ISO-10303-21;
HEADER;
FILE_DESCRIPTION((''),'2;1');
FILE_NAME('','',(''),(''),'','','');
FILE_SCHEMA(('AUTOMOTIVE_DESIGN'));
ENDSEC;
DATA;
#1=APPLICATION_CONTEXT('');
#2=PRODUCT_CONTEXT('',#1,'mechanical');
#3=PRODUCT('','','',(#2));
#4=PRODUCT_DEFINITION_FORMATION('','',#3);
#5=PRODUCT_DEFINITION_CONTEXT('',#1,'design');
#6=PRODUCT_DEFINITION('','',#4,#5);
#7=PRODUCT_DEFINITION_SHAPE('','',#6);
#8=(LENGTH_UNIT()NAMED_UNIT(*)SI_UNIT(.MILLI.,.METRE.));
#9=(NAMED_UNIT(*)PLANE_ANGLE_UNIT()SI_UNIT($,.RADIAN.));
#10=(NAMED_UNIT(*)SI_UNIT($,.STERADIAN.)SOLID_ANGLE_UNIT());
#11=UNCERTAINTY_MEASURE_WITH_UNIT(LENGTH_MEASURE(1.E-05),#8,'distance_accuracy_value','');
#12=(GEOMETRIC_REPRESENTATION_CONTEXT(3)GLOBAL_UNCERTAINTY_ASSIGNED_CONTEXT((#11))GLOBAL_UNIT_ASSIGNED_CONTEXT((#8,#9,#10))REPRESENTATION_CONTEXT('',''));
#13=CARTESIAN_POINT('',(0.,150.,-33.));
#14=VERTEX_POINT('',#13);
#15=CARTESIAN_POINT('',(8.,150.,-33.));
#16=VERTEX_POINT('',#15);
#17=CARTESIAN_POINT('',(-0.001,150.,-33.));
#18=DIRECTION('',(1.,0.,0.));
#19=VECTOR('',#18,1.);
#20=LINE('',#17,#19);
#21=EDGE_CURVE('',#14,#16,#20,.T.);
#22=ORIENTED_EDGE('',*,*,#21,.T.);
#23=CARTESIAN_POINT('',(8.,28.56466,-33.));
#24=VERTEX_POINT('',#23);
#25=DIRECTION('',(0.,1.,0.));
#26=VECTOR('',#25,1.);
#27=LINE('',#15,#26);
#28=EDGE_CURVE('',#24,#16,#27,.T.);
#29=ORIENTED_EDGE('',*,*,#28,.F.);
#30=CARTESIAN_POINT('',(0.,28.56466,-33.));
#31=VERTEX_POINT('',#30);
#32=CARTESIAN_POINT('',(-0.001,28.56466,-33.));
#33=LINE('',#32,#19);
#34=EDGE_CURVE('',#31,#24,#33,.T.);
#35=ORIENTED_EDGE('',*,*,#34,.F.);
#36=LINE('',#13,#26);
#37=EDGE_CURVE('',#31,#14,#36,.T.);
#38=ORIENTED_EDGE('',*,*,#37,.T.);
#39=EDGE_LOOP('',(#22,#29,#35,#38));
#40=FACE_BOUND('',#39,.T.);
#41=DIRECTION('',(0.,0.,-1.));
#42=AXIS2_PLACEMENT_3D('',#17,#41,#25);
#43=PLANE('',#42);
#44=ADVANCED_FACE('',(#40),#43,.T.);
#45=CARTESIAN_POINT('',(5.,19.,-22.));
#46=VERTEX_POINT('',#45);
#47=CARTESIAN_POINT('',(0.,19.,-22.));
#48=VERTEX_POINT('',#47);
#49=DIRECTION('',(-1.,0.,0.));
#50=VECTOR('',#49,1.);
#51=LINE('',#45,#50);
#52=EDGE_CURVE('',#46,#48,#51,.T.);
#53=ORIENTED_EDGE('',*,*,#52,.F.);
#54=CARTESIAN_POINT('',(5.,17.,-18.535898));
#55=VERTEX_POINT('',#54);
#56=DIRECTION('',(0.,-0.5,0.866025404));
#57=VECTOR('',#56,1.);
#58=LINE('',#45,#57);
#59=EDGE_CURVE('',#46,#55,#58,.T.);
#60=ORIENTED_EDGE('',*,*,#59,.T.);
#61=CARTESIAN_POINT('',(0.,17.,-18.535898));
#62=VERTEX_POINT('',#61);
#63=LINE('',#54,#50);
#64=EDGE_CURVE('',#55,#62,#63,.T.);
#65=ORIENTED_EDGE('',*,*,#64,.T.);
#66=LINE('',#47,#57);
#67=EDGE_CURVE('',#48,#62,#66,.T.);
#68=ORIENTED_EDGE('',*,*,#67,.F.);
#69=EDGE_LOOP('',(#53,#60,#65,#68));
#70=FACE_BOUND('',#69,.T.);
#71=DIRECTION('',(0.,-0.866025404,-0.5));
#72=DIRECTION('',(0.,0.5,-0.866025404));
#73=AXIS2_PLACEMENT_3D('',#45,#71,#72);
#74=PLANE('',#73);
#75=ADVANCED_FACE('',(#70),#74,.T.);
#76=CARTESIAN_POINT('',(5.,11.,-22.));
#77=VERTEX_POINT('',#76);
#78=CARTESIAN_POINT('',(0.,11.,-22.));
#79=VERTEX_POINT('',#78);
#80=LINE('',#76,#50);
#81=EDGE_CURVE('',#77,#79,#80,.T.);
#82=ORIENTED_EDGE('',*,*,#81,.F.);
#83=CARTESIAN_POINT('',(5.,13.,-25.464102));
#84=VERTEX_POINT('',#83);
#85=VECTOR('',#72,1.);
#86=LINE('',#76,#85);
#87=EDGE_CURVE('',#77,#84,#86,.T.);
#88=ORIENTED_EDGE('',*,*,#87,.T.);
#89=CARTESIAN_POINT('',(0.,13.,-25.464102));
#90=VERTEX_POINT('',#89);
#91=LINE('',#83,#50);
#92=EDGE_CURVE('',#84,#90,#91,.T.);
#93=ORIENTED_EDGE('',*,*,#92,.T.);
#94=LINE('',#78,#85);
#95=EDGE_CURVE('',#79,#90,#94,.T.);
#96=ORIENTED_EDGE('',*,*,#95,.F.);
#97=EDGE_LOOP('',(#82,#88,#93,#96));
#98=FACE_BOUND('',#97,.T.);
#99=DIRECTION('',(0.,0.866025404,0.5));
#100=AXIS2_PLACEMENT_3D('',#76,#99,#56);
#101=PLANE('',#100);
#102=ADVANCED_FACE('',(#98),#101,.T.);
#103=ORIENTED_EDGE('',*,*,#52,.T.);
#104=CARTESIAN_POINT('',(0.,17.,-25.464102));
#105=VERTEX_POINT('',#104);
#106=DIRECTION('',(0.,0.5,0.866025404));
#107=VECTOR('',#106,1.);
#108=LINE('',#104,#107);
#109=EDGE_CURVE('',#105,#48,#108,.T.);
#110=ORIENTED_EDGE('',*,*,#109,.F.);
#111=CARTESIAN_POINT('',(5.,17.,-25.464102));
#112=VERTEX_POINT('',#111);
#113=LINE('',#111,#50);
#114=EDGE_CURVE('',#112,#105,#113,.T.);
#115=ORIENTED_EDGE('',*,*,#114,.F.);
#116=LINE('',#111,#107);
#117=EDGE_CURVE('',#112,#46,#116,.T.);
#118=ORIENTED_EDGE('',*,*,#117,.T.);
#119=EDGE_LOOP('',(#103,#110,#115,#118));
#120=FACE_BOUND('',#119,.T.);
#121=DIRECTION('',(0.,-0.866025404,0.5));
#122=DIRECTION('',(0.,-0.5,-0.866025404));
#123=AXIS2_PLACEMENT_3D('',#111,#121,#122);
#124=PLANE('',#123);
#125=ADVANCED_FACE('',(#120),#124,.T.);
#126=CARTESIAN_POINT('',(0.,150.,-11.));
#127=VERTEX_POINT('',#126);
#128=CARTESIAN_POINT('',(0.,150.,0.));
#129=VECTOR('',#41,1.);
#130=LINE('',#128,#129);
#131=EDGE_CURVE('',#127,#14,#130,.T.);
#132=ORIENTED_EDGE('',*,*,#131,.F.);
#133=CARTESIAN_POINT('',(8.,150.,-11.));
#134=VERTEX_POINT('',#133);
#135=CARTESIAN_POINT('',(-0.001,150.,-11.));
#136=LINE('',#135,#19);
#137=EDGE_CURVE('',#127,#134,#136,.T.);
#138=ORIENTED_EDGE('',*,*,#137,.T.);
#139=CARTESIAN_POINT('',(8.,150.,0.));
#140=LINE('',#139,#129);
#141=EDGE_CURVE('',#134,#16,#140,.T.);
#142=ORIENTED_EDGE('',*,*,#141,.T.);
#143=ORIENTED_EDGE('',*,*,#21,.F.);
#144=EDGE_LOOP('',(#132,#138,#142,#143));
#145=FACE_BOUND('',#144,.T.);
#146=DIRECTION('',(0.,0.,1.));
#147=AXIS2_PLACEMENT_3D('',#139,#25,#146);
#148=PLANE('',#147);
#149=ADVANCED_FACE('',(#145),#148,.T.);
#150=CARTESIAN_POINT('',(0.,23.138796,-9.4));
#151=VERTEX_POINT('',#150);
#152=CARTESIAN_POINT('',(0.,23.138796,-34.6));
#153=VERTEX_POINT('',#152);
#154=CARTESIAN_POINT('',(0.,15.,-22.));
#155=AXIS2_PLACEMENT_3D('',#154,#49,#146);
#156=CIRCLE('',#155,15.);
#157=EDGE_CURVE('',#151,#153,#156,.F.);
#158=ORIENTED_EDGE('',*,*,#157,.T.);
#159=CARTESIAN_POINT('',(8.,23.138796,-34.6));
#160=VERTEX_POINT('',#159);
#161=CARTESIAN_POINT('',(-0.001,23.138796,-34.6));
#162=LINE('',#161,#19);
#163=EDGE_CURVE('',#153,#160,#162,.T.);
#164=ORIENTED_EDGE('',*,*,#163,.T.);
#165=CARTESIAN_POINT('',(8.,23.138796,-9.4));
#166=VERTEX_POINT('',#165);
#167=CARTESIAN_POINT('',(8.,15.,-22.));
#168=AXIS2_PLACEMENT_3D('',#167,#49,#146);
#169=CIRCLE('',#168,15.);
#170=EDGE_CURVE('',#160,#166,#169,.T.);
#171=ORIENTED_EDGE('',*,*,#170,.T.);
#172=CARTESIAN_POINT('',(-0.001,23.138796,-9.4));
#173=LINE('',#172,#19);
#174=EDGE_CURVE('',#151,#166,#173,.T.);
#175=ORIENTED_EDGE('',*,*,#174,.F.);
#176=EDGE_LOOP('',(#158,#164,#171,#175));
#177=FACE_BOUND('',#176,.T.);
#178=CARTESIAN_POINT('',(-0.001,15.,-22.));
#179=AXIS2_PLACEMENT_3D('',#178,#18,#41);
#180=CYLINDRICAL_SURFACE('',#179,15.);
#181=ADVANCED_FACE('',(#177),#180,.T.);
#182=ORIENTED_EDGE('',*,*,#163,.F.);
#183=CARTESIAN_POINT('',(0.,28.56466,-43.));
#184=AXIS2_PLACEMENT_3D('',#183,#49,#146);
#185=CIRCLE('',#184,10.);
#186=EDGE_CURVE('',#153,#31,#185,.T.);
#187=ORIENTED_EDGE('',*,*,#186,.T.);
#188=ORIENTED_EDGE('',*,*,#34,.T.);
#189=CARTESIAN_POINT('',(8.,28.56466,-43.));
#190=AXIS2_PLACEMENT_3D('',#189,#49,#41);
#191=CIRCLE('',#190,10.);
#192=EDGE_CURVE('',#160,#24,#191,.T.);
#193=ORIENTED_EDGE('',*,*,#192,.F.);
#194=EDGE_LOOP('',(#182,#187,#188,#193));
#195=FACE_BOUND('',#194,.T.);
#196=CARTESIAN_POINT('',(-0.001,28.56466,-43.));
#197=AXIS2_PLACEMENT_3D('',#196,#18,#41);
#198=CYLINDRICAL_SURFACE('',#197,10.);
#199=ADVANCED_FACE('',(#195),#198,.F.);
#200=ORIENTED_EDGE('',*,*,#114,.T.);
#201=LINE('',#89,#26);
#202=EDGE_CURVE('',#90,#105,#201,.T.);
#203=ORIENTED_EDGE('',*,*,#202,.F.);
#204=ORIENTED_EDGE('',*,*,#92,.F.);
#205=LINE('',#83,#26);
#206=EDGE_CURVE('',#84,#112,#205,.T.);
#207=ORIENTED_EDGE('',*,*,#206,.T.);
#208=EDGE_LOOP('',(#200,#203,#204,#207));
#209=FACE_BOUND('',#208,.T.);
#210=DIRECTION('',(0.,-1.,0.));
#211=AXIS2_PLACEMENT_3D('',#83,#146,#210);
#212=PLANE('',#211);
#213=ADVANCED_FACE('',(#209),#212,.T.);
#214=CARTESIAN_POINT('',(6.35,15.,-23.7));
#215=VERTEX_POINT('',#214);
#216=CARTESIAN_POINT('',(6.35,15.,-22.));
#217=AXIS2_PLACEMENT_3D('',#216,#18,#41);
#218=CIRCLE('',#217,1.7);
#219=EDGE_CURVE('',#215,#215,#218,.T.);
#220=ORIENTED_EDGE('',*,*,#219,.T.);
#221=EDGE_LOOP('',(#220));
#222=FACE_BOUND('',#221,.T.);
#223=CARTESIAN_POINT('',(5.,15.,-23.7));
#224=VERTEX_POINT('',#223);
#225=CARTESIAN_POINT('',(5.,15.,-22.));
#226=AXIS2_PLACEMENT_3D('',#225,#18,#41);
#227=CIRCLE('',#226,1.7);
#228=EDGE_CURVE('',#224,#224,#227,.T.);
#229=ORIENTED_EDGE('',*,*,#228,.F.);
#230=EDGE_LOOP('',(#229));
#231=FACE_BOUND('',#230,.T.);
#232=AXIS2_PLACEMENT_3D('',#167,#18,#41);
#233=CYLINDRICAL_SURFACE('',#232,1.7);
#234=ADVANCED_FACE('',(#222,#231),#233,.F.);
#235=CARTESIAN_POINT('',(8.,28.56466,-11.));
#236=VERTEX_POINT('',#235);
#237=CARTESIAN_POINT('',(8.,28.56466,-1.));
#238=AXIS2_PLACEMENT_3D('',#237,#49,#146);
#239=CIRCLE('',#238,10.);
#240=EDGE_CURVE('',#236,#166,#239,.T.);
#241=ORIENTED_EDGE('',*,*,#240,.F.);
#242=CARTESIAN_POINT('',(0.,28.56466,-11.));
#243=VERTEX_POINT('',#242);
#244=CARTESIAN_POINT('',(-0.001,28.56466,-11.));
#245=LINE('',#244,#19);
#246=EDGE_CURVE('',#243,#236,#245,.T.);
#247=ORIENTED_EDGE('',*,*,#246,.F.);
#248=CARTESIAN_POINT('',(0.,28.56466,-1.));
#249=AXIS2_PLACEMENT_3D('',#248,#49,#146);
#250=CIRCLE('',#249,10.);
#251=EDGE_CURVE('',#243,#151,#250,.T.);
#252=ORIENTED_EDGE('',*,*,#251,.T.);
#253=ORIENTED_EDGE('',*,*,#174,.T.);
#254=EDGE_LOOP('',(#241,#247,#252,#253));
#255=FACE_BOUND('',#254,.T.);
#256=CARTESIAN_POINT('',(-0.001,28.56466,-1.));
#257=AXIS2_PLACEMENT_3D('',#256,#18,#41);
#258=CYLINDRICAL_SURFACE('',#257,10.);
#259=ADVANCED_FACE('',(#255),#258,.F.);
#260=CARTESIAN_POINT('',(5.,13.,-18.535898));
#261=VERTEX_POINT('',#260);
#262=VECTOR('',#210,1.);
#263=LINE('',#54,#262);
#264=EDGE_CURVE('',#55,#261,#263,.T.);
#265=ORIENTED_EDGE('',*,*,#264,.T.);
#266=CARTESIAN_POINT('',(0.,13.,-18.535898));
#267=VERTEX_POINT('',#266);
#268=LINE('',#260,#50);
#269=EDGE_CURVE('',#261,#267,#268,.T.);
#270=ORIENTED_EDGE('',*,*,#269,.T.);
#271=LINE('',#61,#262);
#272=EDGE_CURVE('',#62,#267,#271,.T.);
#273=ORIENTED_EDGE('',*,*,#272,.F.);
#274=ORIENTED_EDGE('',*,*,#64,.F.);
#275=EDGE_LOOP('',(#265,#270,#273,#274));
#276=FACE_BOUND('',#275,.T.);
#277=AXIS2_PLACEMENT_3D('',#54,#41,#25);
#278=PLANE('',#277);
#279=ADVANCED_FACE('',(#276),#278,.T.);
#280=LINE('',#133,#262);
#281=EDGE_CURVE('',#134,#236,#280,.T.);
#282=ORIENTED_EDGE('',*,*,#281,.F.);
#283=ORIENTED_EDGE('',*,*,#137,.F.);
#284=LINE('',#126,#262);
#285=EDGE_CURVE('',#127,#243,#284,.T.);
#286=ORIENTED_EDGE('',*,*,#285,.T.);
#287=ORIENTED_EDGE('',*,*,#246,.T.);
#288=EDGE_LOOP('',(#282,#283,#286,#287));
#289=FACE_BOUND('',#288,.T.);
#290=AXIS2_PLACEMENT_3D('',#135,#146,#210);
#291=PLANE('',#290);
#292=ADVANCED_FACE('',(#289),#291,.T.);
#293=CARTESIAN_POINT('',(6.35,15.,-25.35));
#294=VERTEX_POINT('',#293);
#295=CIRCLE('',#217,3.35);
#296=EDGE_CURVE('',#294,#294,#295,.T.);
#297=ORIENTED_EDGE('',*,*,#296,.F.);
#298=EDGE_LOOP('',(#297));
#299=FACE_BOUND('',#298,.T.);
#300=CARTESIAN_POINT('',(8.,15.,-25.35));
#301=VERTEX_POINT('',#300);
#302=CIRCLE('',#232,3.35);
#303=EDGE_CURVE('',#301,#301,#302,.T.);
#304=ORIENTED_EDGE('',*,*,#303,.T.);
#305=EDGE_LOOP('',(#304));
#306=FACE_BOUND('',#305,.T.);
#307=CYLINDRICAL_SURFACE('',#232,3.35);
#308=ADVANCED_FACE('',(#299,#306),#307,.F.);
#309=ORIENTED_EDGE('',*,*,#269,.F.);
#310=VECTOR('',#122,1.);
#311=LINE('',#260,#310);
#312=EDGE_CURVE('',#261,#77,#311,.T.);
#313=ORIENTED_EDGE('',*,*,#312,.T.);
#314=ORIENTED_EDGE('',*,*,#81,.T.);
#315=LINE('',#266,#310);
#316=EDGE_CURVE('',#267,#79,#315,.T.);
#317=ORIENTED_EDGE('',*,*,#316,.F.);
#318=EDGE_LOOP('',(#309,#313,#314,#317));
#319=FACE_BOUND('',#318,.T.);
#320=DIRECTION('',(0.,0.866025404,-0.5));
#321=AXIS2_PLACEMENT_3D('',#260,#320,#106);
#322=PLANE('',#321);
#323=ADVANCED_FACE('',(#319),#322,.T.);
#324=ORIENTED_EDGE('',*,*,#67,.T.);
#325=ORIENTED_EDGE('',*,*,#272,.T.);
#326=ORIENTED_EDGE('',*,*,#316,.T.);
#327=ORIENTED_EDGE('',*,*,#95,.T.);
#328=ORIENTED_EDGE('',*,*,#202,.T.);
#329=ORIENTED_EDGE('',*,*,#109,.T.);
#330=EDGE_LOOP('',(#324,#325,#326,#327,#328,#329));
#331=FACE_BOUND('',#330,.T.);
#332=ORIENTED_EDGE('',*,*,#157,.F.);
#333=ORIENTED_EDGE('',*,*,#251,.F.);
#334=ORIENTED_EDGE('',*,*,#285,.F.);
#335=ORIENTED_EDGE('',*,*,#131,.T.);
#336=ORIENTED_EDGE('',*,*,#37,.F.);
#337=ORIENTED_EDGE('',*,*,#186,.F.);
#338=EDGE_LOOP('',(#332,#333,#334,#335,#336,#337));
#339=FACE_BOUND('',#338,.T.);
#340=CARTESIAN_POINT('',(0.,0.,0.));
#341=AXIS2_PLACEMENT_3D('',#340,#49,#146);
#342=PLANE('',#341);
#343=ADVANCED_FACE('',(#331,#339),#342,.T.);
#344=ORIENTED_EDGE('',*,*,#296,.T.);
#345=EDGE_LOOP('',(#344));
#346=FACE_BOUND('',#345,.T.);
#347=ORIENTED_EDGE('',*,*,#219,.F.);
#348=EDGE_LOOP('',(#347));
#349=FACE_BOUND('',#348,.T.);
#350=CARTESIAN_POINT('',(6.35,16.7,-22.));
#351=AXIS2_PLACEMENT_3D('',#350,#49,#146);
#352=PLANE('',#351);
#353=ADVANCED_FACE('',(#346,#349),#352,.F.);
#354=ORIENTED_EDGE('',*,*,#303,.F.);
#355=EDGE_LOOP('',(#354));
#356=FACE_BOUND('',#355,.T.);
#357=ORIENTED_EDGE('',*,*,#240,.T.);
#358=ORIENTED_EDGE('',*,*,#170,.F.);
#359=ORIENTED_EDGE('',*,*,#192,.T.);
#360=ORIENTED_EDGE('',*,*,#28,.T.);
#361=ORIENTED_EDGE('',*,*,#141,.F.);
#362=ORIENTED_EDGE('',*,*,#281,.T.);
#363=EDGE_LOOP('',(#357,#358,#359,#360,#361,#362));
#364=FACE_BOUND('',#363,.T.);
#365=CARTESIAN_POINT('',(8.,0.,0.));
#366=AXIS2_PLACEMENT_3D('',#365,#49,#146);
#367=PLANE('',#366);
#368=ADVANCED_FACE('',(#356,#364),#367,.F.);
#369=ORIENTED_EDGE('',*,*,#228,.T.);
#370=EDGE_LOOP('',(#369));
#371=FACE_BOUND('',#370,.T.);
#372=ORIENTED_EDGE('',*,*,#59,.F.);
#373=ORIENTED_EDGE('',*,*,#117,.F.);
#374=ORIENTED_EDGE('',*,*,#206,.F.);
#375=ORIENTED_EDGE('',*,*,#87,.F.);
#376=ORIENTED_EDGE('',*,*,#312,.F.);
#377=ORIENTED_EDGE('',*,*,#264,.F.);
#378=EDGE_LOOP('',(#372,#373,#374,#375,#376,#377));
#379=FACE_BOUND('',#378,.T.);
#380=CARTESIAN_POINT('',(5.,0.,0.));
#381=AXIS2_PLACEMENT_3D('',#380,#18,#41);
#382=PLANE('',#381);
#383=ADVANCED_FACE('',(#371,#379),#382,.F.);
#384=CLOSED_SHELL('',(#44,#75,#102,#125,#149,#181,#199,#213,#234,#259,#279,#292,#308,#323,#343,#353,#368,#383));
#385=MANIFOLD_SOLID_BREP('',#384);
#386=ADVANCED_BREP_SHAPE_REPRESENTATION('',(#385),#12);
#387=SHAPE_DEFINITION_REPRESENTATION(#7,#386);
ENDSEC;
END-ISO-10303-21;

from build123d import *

# Parameters (mm, degrees)
SKETCH1_W                       = 44
SKETCH1_H                       = 150
BOSS_EXTRUDE1_DEPTH             = 8
CUT_EXTRUDE3_DEPTH              = 5
SKETCH3_OUTSIDE_W               = 77.304
SKETCH3_OUTSIDE_H               = 183.304
CUT_EXTRUDE4_DEPTH              = 8
CBORE_FOR_M3_SBHCS1_D           = 3.4
CBORE_FOR_M3_SBHCS1_CBORE_D     = 6.7
CBORE_FOR_M3_SBHCS1_CBORE_DEPTH = 1.65


with BuildPart() as part:
    # Sketch1 → Boss-Extrude1 (new body)
    with BuildSketch(Plane(origin=(0, 0, 0), x_dir=(0, 0, -1), z_dir=(1, 0, 0))):
        with Locations((22, 75)):
            Rectangle(SKETCH1_W, SKETCH1_H)
    extrude(amount=BOSS_EXTRUDE1_DEPTH)

    # Sketch2 → Cut-Extrude3 (cut)
    with BuildSketch(Plane(origin=(0, 0, 0), x_dir=(0, 0, -1), z_dir=(1, 0, 0))):
        Polygon((22, 19), (18.535898385, 17), (18.535898385, 13), (22, 11), (25.464101615, 13), (25.464101615, 17), align=None)
    extrude(amount=CUT_EXTRUDE3_DEPTH, mode=Mode.SUBTRACT)

    # Sketch3 outside → Cut-Extrude4 (cut)
    with BuildSketch(Plane(origin=(8, 0, 0), x_dir=(0, 0, -1), z_dir=(1, 0, 0))):
        with Locations((22, 75)):
            Rectangle(SKETCH3_OUTSIDE_W, SKETCH3_OUTSIDE_H)
        with BuildLine():
            Line((11, 150), (11, 28.564659966))
            ThreePointArc((11, 28.564659966), (10.591663047, 25.736232842), (9.4, 23.13879598))
            ThreePointArc((9.4, 23.13879598), (22, 0), (34.6, 23.13879598))
            ThreePointArc((34.6, 23.13879598), (33.408336953, 25.736232842), (33, 28.564659966))
            Line((33, 28.564659966), (33, 150))
            Line((33, 150), (11, 150))
        make_face(mode=Mode.SUBTRACT)
    extrude(amount=-CUT_EXTRUDE4_DEPTH, mode=Mode.SUBTRACT)

    # CBORE for M3 SBHCS1 (through all)
    with Locations(Plane(origin=(8, 0, 0), x_dir=(0, 0, -1), z_dir=(1, 0, 0))):
        with Locations((22, 15)):
            CounterBoreHole(CBORE_FOR_M3_SBHCS1_D / 2, CBORE_FOR_M3_SBHCS1_CBORE_D / 2, CBORE_FOR_M3_SBHCS1_CBORE_DEPTH)


solid = part.part
